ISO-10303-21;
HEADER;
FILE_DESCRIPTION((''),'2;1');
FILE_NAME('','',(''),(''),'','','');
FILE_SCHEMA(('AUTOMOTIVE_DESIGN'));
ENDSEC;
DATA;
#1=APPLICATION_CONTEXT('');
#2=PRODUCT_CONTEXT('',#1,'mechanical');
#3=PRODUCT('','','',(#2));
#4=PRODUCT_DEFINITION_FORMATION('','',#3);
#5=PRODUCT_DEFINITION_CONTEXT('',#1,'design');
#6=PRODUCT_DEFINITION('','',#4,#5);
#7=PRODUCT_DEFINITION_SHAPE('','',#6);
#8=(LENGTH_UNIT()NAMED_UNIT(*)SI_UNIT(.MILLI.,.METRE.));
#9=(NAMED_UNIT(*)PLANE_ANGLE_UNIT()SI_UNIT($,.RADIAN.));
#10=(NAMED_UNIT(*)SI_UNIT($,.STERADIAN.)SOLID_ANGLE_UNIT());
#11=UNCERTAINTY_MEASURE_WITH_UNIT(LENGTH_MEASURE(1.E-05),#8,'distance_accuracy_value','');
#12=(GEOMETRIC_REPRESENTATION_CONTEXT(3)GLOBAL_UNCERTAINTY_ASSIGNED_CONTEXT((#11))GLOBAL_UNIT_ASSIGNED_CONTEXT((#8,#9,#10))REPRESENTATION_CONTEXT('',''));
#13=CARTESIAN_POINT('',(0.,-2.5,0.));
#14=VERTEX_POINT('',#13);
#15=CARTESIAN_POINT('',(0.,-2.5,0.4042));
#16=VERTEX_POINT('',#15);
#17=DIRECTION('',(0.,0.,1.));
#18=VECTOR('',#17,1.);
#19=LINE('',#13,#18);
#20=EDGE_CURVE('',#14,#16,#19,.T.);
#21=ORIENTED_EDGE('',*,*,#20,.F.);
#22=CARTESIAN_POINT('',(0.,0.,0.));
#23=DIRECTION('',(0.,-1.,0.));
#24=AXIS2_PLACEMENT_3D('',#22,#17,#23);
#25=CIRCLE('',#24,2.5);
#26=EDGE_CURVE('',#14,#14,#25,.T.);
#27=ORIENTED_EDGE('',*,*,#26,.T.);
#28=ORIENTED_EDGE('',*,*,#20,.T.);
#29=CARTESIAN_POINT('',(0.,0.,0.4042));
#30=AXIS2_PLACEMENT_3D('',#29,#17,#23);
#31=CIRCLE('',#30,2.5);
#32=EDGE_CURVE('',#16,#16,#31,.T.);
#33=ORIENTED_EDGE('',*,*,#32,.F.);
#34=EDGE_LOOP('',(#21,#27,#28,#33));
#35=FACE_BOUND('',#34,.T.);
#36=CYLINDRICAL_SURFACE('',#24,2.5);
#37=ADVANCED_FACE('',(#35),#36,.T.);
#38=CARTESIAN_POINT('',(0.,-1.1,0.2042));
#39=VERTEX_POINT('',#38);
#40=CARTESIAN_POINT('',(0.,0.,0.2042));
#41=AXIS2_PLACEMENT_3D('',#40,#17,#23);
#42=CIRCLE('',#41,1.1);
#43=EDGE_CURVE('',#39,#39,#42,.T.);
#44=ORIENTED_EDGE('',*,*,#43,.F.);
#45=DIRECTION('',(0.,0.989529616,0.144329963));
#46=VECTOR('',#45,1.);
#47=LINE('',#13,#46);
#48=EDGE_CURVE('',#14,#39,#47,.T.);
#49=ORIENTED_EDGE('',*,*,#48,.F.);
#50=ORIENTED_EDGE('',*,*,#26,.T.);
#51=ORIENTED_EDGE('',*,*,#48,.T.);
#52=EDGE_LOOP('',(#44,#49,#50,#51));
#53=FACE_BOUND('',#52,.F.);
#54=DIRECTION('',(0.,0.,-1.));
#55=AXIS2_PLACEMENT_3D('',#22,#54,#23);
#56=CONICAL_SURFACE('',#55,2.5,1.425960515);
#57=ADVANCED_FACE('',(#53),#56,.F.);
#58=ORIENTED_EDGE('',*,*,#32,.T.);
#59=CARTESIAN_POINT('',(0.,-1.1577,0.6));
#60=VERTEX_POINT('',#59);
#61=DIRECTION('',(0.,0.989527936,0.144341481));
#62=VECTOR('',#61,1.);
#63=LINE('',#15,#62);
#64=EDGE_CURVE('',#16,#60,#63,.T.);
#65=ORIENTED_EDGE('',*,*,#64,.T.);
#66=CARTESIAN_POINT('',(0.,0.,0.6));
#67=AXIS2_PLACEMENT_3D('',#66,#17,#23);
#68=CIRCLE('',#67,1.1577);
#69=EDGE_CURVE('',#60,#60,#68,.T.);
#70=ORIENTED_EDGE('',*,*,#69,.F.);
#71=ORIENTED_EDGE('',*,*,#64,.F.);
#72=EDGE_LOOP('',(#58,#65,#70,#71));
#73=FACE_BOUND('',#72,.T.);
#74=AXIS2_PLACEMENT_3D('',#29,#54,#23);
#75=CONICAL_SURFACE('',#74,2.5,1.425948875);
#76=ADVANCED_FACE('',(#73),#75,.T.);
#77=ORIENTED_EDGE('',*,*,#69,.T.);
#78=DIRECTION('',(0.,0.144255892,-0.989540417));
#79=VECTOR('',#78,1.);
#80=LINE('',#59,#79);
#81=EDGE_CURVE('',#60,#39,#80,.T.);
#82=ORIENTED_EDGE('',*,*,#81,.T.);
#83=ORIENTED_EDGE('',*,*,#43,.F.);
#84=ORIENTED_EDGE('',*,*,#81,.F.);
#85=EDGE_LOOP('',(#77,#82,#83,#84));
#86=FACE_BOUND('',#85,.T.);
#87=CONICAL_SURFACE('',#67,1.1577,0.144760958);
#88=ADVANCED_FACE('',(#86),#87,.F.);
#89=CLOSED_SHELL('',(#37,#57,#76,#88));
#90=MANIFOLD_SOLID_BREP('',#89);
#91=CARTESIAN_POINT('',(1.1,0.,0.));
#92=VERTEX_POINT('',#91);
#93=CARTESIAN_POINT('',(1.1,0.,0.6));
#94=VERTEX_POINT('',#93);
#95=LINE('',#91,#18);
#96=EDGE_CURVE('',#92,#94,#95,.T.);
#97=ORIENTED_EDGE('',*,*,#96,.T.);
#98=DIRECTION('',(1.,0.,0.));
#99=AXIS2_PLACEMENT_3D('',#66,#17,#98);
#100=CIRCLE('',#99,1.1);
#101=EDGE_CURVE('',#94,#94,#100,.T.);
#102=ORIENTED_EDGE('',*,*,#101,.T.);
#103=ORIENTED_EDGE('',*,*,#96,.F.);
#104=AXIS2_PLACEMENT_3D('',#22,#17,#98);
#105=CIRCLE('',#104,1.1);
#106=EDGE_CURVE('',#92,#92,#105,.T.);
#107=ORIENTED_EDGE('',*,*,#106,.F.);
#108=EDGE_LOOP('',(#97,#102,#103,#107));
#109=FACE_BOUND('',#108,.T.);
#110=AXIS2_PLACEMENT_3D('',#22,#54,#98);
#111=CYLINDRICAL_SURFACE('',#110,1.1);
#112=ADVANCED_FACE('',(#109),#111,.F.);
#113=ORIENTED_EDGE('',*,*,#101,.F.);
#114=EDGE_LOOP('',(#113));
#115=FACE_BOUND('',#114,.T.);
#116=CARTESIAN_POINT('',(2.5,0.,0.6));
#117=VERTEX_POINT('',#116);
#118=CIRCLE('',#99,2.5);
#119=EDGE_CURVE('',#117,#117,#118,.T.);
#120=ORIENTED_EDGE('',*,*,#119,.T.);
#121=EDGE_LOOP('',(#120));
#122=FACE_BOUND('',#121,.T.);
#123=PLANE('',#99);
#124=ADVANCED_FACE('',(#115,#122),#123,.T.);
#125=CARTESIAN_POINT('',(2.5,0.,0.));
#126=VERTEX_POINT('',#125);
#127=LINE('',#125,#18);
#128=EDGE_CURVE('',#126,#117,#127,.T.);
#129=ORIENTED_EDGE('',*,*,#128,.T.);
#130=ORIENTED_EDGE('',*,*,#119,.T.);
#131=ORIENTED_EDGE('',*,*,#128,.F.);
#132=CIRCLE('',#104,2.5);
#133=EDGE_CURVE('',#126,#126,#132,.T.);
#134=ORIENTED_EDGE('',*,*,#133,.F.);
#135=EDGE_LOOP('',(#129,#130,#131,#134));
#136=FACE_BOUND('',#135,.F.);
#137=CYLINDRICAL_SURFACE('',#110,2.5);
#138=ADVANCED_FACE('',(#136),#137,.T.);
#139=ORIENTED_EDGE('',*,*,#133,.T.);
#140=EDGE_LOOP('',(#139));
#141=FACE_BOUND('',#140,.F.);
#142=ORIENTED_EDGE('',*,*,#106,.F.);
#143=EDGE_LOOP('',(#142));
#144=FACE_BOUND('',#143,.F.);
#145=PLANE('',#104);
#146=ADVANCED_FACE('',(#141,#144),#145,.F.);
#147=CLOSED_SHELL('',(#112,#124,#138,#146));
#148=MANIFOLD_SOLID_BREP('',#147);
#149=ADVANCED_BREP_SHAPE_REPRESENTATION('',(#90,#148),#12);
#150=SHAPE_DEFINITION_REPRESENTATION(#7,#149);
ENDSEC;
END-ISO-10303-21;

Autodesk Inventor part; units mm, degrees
ref_plane "YZ Plane" through (0, 0, 0) normal (1, 0, 0) x (0, 1, 0)
ref_plane "XZ Plane" through (0, 0, 0) normal (0, 1, 0) x (-1, 0, 0)
sketch "Sketch" plane through (0, 0, 0) normal (1, 0, 0) x (0, 1, 0)
  line L0 (-2.5, 0) -> (-2.5, 0.4042)
  line L1 (-2.5, 0.4042) -> (-1.1577, 0.6)
  line L2 (-1.1577, 0.6) -> (-1.1, 0.2042)
  line L3 (-2.5, 0) -> (-1.1, 0.2042)
  line L4 (0, 0) -> (0, 8.521) construction
  dimension "d8" = 2.5
  dimension "d10" = 1.1
  dimension "d11" = 0.6
  dimension "d12" = 0.4
revolve "IDS_BODY" add sketch "Sketch" angle 360 about axis through (0, 0, 0) along (0, 0, 1)
ref_plane "Work Plane1" through (0, 0, 0) normal (1, 0, 0) x (0, 0, 1)
sketch "Sketch5" plane through (0, 0, 0) normal (0, 0, 1) x (1, 0, 0)
  circle A0 centre (0, 0) radius 1.1
  circle A1 centre (0, 0) radius 2.5
  dimension "d19" = 2.2
  dimension "d20" = 5
extrude "Extrusion2" add sketch "Sketch5" along normal blind 0.6 separate body
equation "\"d19\" = SD1"
equation "\"d20\" = SD2"
equation "\"d21\" = SH"
equation "\"d8\" = 0.5 * SD2"
equation "\"d10\" = 0.5 * SD1"
equation "\"d11\" = SH"
equation "\"d12\" = SD"
equation "\"SD1\" = 2.2"
equation "\"SD2\" = 5"
equation "\"SD\" = 0.4"
equation "\"SH\" = 0.6"
equation "\"NND\" = 2"
properties part number "DIN 6796 - 2" material "Steel, Mild"
